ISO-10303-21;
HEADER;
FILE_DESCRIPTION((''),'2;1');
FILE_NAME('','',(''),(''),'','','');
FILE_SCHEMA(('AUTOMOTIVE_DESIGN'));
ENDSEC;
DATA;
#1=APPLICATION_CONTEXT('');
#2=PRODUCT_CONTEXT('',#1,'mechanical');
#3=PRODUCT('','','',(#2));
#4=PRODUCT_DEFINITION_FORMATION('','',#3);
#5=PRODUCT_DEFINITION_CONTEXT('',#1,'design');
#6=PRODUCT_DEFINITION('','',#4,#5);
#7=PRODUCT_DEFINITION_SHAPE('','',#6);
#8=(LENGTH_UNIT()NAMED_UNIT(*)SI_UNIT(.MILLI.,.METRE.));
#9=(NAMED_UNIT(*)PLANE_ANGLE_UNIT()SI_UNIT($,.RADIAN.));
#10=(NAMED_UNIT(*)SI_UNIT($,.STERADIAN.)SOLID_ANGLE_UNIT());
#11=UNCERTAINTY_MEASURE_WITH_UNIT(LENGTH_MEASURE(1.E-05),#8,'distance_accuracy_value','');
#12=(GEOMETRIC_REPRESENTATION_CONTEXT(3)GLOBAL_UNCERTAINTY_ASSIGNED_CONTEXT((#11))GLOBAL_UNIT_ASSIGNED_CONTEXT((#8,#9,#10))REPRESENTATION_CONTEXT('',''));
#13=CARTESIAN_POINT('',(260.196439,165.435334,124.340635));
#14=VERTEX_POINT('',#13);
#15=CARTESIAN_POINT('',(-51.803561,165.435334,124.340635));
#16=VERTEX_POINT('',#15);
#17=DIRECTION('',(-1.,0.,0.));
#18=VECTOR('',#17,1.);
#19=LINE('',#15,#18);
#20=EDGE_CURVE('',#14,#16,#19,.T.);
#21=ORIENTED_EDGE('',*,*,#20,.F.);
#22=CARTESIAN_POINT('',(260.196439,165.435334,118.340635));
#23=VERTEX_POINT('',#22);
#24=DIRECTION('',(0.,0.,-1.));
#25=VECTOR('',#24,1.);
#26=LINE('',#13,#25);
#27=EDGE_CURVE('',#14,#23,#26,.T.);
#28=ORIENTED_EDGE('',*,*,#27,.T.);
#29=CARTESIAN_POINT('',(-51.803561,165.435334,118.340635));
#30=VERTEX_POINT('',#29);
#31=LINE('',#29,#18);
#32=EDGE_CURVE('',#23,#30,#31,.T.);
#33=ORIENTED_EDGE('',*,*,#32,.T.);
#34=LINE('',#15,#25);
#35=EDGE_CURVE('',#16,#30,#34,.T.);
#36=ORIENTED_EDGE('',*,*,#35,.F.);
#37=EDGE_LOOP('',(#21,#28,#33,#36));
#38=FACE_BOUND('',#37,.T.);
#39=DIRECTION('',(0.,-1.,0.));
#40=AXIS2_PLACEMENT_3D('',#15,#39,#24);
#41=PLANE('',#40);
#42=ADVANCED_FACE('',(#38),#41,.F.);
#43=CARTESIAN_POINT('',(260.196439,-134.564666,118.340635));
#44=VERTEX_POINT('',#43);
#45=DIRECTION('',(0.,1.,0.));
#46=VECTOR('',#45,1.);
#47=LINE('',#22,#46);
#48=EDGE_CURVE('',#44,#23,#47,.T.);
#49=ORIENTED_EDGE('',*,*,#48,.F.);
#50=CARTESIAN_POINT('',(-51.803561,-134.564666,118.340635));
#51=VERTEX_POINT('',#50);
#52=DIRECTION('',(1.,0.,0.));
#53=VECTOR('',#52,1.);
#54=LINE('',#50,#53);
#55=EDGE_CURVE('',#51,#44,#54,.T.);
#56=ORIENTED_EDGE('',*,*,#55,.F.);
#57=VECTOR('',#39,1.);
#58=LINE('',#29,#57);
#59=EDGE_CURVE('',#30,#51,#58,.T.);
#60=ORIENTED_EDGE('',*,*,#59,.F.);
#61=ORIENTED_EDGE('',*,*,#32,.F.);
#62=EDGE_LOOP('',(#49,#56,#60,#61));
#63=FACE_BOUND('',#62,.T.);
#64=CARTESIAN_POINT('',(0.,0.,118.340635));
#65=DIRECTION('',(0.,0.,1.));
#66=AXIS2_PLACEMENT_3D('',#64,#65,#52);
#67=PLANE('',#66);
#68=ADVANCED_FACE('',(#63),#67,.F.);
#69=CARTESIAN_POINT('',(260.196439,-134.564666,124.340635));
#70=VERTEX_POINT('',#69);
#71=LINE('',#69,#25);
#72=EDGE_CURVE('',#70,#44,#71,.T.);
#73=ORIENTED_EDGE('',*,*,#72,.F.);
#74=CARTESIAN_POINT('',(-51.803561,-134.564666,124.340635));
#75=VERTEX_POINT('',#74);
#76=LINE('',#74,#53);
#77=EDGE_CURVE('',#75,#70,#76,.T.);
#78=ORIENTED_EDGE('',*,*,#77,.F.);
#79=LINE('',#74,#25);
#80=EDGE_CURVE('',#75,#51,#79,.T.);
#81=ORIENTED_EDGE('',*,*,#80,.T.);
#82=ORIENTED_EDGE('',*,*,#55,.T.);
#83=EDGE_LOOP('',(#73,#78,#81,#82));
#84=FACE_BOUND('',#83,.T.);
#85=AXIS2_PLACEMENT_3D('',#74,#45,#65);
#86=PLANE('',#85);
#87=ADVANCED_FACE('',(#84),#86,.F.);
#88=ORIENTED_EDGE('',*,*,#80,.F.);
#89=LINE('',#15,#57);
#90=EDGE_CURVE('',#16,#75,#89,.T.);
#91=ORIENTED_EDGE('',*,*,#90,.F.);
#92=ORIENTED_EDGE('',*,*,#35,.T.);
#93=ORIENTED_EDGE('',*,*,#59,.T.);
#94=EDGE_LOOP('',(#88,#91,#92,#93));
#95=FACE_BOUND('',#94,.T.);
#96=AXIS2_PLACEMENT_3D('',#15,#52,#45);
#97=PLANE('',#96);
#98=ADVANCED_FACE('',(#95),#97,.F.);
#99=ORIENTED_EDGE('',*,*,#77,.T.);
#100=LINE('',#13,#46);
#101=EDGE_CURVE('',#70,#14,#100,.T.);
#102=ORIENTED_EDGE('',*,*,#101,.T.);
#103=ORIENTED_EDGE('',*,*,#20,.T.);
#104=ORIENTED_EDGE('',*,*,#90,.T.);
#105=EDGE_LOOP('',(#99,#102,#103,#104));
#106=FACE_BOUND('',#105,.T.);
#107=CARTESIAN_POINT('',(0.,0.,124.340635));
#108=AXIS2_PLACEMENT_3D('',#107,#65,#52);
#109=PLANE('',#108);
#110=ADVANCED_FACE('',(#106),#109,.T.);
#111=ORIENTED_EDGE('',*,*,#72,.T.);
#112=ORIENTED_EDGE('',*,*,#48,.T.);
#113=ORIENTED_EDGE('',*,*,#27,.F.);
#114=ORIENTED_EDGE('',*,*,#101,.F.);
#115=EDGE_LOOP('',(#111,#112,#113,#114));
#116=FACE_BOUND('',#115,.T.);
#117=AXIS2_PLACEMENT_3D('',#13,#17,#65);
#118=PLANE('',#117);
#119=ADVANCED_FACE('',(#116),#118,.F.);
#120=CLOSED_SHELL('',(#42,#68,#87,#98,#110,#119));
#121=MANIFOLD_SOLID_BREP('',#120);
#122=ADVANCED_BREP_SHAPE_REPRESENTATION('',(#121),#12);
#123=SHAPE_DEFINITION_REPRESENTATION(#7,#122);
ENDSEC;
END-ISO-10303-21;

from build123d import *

# Parameters (mm, degrees)
SKETCH1_W           = 312
SKETCH1_H           = 300
BOSS_EXTRUDE1_DEPTH = 6


with BuildPart() as part:
    # Sketch1 → Boss-Extrude1 (new body)
    with BuildSketch(Plane.XY.offset(118.340635288)):
        with Locations((104.196439211, 15.435334025)):
            Rectangle(SKETCH1_W, SKETCH1_H)
    extrude(amount=BOSS_EXTRUDE1_DEPTH)


solid = part.part
